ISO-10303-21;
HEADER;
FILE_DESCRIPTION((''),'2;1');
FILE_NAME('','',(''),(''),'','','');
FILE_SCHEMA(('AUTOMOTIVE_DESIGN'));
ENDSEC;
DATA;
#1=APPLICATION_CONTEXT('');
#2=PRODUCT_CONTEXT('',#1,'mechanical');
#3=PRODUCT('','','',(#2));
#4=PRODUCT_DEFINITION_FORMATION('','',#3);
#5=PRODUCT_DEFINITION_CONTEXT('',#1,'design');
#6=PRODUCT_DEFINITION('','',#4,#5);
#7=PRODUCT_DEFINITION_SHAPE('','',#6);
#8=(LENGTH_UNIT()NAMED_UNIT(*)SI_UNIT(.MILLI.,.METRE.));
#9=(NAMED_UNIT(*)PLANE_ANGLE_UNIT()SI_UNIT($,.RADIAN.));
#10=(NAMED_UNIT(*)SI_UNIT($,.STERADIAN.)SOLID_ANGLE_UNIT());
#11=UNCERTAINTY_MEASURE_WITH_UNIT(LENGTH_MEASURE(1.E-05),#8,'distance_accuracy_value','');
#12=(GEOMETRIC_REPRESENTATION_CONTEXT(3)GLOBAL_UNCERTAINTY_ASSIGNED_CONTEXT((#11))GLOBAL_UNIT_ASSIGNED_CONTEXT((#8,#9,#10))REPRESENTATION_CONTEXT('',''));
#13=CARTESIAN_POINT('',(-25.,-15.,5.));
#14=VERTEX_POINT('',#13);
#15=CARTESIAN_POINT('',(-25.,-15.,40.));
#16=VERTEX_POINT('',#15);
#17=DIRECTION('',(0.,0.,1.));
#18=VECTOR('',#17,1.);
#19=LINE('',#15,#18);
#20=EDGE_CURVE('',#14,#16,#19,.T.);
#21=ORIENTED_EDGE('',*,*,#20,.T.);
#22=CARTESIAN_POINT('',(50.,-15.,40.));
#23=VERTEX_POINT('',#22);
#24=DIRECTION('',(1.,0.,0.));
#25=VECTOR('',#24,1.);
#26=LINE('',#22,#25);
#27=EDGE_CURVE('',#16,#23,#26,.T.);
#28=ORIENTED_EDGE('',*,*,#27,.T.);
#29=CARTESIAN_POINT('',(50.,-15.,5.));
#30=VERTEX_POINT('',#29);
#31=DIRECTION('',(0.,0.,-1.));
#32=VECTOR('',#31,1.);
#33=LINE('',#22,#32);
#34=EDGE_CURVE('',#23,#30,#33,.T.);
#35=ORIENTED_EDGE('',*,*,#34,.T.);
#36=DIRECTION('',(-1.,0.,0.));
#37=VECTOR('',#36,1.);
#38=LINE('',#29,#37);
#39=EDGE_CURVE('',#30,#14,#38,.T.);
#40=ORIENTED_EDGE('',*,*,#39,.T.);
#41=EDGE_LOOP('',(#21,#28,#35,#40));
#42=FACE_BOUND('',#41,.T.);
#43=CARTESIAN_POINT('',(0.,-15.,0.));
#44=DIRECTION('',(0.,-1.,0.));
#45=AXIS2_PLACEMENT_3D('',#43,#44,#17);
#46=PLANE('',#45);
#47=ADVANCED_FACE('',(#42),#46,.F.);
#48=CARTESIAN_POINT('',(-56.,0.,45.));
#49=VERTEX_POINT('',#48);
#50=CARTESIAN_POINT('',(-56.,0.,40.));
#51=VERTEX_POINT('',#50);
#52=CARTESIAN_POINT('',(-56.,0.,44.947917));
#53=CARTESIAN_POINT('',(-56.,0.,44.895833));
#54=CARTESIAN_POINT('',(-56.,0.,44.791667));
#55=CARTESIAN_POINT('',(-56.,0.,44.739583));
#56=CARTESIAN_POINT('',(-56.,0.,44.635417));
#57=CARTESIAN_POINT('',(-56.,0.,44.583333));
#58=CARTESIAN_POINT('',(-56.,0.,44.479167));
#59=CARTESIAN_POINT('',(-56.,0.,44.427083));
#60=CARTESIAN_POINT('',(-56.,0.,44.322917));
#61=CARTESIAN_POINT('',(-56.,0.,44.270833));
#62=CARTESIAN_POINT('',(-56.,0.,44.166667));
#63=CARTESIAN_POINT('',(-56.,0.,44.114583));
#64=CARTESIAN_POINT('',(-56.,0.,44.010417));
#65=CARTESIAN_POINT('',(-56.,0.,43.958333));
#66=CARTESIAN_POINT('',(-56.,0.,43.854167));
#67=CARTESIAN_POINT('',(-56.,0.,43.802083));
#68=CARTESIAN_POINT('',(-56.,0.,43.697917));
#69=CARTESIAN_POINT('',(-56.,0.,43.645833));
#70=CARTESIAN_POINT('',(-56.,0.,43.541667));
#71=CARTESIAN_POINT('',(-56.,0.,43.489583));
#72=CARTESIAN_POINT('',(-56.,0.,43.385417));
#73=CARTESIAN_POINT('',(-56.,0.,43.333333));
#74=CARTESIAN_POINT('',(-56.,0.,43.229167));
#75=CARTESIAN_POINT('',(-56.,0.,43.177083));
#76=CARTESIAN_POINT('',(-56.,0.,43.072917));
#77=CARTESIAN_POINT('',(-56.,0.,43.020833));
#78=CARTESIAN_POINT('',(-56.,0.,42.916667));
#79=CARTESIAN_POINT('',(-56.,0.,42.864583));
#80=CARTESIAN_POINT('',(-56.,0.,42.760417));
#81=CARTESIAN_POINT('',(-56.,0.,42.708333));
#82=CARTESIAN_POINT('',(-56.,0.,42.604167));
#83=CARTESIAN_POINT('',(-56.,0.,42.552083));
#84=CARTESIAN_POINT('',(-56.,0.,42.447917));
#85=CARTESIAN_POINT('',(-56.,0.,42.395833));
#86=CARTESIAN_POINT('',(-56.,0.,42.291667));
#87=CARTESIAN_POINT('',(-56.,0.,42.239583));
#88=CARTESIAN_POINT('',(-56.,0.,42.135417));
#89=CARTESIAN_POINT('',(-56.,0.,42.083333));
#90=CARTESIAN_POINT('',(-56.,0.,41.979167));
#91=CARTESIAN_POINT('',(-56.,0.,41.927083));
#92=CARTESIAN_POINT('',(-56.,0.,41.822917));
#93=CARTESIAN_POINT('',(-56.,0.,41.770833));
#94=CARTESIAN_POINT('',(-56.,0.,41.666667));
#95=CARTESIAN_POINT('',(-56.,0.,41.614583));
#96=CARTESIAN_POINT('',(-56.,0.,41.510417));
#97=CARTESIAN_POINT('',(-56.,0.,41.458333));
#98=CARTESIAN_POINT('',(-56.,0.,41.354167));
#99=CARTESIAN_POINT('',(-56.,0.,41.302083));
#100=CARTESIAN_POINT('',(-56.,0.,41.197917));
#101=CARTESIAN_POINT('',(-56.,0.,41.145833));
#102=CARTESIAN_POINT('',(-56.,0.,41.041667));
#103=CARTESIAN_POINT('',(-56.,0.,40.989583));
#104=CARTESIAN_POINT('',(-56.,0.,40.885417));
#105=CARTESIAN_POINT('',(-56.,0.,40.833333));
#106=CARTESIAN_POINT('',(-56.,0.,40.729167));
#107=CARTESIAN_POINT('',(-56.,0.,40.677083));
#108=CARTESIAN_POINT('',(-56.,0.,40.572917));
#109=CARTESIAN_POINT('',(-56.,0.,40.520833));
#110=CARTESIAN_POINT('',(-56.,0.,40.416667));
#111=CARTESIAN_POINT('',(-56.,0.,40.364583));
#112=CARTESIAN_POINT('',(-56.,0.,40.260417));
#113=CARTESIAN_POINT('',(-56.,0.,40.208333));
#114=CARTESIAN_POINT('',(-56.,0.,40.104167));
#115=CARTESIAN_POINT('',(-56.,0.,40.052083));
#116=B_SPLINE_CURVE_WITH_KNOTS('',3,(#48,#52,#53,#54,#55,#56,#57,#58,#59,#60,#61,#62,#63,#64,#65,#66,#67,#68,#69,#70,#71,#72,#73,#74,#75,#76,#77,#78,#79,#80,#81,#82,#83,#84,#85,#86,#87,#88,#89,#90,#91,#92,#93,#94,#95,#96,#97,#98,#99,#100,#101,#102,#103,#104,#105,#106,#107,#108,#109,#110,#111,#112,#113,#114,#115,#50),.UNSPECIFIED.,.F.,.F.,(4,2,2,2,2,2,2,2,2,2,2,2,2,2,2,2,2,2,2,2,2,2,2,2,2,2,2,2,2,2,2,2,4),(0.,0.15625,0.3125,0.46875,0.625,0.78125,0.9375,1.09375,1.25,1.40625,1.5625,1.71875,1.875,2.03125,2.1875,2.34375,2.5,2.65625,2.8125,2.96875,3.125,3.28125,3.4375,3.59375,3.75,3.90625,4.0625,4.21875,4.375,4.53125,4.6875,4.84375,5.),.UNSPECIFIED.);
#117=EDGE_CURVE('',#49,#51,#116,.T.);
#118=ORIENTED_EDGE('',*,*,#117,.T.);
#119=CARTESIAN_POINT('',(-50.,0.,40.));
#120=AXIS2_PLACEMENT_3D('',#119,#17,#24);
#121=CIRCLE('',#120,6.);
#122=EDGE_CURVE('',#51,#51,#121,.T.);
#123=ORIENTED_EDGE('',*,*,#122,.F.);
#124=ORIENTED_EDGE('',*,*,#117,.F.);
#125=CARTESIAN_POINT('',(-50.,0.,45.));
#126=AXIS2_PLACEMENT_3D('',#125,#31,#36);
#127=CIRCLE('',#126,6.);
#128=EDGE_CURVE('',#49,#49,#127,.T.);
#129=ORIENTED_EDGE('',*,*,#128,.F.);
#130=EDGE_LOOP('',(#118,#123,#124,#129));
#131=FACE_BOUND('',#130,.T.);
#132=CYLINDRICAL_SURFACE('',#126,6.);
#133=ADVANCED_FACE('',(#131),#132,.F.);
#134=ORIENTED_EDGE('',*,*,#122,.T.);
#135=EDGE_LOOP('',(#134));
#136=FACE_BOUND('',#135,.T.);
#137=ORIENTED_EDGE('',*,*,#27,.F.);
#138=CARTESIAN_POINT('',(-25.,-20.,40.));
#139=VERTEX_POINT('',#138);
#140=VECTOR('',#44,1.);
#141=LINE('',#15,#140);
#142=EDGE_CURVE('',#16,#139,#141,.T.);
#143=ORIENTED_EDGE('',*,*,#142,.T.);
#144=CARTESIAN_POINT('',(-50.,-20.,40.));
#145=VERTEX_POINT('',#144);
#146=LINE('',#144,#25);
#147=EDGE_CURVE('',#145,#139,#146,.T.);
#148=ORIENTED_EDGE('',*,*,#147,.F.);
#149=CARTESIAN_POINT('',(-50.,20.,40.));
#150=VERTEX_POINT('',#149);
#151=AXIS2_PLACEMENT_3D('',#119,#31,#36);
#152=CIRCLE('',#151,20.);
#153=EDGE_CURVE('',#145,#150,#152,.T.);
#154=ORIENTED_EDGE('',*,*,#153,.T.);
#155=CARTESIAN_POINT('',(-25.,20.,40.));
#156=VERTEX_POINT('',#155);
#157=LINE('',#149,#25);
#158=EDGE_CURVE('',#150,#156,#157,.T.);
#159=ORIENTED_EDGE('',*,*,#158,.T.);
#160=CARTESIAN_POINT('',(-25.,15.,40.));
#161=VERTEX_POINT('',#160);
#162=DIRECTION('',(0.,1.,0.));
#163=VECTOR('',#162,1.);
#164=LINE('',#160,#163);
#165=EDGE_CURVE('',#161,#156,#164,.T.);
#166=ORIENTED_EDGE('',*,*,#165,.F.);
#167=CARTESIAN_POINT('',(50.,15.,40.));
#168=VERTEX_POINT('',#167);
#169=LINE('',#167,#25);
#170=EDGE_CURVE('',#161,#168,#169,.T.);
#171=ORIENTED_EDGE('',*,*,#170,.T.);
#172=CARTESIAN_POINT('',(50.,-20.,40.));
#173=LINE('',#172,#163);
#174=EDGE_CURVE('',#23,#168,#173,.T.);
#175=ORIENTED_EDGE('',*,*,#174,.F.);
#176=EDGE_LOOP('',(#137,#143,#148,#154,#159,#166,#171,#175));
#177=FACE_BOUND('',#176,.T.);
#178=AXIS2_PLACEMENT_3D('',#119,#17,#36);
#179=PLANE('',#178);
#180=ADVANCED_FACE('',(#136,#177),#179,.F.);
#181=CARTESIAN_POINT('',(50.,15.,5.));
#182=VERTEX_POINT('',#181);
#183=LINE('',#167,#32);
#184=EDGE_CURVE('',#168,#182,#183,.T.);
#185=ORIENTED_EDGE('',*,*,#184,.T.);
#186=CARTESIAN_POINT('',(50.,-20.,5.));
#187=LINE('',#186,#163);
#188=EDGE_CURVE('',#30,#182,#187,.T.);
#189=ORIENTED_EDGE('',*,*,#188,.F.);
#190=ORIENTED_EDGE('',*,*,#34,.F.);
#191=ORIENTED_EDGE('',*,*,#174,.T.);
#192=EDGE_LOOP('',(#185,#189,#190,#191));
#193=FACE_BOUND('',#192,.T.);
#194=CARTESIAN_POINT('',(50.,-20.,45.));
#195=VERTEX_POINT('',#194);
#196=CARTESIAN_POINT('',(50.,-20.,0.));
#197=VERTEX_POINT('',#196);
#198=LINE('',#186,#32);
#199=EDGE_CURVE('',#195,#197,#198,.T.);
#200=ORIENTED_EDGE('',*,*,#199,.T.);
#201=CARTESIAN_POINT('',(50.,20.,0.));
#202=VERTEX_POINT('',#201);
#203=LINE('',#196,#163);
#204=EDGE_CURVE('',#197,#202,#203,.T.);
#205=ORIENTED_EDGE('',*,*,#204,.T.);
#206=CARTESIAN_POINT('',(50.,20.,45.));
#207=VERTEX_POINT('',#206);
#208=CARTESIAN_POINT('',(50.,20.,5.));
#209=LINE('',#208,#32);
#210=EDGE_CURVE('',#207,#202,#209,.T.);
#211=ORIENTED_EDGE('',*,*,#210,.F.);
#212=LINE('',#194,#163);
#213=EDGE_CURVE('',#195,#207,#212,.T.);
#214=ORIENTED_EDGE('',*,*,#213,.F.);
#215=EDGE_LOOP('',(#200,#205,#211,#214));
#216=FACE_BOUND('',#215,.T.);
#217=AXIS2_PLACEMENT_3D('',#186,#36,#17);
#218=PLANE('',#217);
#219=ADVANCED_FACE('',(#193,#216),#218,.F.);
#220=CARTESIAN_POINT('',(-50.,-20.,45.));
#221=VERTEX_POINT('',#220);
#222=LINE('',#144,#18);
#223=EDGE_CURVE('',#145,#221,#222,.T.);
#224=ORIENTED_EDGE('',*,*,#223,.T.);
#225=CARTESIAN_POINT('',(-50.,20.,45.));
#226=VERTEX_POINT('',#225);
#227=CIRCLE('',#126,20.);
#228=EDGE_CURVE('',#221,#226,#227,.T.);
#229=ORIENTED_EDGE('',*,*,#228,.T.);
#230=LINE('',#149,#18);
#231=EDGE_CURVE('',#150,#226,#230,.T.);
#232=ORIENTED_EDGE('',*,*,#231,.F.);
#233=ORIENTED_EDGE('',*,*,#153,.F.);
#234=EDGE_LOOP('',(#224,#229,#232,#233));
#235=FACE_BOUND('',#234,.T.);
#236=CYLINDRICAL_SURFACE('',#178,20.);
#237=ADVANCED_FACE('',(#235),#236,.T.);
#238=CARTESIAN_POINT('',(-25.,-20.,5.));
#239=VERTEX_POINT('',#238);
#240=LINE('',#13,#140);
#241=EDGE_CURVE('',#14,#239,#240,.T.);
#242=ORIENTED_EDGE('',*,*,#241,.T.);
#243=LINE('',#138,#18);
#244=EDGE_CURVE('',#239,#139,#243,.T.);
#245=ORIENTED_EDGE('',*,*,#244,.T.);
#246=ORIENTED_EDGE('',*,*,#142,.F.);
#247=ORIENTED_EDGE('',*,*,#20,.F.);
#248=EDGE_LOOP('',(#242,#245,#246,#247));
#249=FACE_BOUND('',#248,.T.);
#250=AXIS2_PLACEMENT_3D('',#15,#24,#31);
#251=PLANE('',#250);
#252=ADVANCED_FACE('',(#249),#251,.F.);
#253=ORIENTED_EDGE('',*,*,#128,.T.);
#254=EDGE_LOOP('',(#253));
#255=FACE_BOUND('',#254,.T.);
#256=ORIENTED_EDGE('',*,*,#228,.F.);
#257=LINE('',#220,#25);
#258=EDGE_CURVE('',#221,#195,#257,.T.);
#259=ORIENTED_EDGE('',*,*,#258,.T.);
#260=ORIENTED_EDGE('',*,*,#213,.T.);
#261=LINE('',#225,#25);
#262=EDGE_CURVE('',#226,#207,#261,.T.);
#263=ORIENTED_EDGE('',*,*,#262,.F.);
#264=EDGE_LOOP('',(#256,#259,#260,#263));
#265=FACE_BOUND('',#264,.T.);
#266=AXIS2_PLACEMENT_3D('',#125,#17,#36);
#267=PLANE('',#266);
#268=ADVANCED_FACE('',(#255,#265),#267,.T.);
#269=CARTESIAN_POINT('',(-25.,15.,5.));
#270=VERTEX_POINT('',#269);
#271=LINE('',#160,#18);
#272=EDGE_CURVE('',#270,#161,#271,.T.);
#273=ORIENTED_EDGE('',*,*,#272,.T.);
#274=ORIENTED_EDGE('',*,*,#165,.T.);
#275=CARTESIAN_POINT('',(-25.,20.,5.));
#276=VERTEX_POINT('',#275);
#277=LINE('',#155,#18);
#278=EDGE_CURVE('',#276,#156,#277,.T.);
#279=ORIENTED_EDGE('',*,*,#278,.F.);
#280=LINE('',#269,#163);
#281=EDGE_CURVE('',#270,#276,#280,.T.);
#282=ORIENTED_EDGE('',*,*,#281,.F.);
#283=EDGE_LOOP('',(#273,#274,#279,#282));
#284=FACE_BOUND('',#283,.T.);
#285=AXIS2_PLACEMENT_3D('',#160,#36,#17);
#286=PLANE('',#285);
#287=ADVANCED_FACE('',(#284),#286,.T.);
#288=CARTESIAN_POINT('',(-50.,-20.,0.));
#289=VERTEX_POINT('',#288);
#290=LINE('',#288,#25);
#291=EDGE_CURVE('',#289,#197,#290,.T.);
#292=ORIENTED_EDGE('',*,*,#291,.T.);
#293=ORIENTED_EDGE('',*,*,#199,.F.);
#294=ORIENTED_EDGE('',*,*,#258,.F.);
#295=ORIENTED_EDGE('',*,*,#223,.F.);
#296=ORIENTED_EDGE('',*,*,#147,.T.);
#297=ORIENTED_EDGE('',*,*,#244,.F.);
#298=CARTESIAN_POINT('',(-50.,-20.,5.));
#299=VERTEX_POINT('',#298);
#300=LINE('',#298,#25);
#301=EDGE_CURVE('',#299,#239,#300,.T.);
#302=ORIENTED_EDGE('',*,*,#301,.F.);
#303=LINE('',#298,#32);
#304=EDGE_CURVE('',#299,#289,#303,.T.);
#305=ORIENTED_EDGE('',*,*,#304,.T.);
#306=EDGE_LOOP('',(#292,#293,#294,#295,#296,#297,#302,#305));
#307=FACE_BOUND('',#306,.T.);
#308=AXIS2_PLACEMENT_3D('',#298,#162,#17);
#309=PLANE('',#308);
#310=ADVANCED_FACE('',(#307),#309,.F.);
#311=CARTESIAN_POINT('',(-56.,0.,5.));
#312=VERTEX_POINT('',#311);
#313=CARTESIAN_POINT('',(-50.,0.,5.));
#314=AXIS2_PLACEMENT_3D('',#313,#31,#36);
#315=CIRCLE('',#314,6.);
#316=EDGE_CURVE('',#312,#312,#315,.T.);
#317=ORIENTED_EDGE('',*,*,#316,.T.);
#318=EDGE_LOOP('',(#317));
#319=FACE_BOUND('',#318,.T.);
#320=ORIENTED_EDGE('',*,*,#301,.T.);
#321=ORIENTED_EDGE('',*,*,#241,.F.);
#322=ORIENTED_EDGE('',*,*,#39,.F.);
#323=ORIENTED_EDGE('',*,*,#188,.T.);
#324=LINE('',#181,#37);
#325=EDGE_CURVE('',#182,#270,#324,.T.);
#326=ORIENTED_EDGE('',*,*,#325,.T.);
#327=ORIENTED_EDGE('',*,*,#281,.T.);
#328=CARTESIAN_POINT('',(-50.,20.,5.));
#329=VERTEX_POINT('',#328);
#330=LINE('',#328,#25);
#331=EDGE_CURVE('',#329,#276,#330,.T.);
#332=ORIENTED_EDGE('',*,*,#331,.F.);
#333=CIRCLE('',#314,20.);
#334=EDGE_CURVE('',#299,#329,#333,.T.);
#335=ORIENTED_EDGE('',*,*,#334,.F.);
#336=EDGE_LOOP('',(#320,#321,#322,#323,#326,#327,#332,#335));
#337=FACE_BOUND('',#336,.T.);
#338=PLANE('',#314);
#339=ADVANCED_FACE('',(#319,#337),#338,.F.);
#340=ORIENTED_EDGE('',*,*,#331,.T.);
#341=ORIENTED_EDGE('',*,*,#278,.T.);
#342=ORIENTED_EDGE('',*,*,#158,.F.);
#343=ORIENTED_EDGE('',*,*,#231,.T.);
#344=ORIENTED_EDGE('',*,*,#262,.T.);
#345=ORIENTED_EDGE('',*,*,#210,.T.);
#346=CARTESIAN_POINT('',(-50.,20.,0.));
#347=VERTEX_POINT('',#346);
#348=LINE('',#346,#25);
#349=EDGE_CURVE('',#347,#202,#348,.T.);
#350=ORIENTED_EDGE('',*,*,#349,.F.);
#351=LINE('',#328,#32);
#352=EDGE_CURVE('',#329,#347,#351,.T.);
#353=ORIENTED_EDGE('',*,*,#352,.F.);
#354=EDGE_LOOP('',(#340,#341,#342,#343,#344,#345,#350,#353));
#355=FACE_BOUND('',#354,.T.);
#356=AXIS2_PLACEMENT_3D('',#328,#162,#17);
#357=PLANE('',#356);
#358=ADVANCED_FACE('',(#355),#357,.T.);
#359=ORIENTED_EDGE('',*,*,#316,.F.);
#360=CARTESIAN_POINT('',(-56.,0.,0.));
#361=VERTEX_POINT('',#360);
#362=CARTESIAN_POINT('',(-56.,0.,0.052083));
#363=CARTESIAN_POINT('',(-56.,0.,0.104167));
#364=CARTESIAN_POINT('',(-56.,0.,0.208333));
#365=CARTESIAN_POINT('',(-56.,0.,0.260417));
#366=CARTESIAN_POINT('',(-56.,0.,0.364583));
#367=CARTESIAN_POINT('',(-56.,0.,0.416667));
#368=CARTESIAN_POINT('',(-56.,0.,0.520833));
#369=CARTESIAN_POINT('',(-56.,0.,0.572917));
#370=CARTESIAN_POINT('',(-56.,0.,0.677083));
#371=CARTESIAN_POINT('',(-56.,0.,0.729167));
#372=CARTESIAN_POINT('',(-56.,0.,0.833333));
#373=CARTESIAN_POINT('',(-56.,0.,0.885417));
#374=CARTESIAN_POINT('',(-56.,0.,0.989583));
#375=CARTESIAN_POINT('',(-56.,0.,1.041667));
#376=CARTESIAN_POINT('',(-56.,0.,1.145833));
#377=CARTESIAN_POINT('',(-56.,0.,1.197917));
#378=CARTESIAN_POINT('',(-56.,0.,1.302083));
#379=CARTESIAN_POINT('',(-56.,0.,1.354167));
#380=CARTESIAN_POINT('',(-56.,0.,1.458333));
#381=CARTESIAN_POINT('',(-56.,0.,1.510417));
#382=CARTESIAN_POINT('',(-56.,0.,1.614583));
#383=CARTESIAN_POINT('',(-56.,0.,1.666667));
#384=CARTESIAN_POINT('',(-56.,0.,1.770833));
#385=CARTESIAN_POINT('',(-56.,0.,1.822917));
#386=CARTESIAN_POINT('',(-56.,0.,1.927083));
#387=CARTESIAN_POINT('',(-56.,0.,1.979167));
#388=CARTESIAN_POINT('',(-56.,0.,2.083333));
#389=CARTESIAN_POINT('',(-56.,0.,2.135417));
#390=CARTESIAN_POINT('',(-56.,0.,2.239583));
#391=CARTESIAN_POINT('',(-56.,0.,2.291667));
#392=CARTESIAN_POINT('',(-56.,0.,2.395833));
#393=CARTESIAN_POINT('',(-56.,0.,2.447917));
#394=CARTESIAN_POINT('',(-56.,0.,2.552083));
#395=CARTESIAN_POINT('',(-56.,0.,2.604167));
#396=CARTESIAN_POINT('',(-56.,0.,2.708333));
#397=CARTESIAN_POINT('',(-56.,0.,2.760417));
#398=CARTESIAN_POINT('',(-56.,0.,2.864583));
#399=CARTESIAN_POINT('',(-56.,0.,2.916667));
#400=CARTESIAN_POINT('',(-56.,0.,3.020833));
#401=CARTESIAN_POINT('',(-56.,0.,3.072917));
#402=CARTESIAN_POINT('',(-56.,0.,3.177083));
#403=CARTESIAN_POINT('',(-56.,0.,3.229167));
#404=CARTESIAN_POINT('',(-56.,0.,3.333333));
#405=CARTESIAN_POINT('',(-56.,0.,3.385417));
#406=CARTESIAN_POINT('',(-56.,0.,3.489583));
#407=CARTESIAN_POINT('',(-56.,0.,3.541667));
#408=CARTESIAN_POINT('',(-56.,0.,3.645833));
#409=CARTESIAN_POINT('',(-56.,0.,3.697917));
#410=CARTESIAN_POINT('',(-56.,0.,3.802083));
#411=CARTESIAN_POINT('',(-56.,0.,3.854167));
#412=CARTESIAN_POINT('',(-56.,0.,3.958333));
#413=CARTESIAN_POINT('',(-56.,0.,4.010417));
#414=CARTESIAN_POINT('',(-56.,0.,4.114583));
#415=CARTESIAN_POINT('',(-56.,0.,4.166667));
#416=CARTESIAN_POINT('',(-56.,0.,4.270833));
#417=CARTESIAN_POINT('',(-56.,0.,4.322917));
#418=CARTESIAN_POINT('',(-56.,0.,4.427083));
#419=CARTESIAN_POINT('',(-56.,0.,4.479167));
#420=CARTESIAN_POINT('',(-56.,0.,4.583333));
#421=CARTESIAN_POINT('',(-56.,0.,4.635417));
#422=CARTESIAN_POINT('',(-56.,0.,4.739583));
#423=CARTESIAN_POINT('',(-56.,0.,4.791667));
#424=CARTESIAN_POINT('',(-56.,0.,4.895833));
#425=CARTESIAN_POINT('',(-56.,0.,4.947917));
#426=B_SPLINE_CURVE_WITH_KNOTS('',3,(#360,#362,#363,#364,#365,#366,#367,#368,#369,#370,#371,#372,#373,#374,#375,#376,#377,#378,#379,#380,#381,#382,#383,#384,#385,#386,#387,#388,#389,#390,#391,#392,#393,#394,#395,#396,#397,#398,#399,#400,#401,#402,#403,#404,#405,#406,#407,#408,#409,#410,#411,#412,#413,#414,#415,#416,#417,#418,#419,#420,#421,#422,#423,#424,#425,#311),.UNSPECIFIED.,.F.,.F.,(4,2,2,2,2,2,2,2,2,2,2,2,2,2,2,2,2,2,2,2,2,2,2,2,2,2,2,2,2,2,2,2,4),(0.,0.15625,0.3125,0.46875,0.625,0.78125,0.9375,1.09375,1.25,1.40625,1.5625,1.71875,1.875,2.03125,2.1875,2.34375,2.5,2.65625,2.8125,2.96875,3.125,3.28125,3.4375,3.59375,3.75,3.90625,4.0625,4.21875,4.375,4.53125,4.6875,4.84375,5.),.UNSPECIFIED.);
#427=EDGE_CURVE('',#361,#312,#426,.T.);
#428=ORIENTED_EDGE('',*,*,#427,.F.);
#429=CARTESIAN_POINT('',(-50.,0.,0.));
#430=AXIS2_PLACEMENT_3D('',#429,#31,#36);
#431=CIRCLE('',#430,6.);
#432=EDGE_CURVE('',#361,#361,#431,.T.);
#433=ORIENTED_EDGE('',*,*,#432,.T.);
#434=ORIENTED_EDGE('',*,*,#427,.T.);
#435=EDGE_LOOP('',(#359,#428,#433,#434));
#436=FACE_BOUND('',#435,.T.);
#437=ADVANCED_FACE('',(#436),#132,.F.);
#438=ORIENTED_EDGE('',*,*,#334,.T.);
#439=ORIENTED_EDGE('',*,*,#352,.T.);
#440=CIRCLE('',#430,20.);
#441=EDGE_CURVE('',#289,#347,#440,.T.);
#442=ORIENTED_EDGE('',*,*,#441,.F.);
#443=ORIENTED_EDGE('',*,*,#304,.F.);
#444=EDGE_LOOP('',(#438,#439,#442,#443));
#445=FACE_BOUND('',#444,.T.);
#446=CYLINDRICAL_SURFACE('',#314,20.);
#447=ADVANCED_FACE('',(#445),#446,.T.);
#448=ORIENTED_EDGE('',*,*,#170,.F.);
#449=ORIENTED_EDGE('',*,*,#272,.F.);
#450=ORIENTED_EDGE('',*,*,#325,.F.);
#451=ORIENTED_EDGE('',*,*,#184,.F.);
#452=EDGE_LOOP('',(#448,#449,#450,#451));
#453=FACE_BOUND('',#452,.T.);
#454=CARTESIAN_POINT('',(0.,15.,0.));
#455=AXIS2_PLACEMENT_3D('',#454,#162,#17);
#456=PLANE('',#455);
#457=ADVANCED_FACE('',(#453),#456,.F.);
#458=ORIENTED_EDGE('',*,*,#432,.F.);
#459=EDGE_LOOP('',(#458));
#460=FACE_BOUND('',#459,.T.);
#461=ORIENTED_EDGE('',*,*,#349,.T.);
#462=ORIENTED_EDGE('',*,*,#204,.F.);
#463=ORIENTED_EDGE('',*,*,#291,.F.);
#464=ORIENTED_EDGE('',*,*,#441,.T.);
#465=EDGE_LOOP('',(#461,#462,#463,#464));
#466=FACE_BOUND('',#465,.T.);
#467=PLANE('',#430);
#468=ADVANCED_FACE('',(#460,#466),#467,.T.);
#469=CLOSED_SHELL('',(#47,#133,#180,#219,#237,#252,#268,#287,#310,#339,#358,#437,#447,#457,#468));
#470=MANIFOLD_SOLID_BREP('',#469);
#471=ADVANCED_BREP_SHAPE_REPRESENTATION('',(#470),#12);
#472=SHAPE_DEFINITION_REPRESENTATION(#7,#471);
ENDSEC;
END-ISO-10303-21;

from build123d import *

# Parameters (mm, degrees)
DODANIE_WYCI_GNI_CIE1_DEPTH = 5
SZKIC2_W                    = 75
SZKIC2_H                    = 35
DODANIE_WYCI_GNI_CIE2_DEPTH = 5
SZKIC3_R                    = 6
WYTNIJ_WYCI_GNI_CIE1_DEPTH  = 86.586213843


with BuildPart() as part:
    # Szkic1 → Dodanie-wyciągnięcie1 (new body)
    with BuildSketch(Plane.XY):
        with BuildLine():
            Line((-50, -20), (50, -20))
            Line((50, -20), (50, 20))
            Line((50, 20), (-50, 20))
            ThreePointArc((-50, 20), (-70, 0), (-50, -20))
        make_face()
    extrude(amount=DODANIE_WYCI_GNI_CIE1_DEPTH)


with BuildPart() as body_2:
    # Lustro2: mirrored copy
    add(part.part.mirror(Plane.XY.offset(22.5)))


with BuildPart() as part_1:
    add(part.part)

    add(body_2.part)  # Dodanie-wyciągnięcie2 merges body 2
    # Szkic2 → Dodanie-wyciągnięcie2 (add)
    with BuildSketch(Plane(origin=(0, 20, 0), x_dir=(1, 0, 0), z_dir=(0, 1, 0))):
        with Locations((12.5, -22.5)):
            Rectangle(SZKIC2_W, SZKIC2_H)
    dodanie_wyci_gni_cie2 = extrude(amount=-DODANIE_WYCI_GNI_CIE2_DEPTH)

    # Lustro5: Dodanie-wyciągnięcie2 across plane
    add(dodanie_wyci_gni_cie2.mirror(Plane.ZX))

    # Szkic3 → Wytnij-wyciągnięcie1 (cut, through all)
    with BuildSketch(Plane(origin=(0, 0, 0), x_dir=(-1, 0, 0), z_dir=(0, 0, -1))):
        with Locations((50, 0)):
            Circle(SZKIC3_R)
    extrude(amount=-WYTNIJ_WYCI_GNI_CIE1_DEPTH, mode=Mode.SUBTRACT)


solid = part_1.part
